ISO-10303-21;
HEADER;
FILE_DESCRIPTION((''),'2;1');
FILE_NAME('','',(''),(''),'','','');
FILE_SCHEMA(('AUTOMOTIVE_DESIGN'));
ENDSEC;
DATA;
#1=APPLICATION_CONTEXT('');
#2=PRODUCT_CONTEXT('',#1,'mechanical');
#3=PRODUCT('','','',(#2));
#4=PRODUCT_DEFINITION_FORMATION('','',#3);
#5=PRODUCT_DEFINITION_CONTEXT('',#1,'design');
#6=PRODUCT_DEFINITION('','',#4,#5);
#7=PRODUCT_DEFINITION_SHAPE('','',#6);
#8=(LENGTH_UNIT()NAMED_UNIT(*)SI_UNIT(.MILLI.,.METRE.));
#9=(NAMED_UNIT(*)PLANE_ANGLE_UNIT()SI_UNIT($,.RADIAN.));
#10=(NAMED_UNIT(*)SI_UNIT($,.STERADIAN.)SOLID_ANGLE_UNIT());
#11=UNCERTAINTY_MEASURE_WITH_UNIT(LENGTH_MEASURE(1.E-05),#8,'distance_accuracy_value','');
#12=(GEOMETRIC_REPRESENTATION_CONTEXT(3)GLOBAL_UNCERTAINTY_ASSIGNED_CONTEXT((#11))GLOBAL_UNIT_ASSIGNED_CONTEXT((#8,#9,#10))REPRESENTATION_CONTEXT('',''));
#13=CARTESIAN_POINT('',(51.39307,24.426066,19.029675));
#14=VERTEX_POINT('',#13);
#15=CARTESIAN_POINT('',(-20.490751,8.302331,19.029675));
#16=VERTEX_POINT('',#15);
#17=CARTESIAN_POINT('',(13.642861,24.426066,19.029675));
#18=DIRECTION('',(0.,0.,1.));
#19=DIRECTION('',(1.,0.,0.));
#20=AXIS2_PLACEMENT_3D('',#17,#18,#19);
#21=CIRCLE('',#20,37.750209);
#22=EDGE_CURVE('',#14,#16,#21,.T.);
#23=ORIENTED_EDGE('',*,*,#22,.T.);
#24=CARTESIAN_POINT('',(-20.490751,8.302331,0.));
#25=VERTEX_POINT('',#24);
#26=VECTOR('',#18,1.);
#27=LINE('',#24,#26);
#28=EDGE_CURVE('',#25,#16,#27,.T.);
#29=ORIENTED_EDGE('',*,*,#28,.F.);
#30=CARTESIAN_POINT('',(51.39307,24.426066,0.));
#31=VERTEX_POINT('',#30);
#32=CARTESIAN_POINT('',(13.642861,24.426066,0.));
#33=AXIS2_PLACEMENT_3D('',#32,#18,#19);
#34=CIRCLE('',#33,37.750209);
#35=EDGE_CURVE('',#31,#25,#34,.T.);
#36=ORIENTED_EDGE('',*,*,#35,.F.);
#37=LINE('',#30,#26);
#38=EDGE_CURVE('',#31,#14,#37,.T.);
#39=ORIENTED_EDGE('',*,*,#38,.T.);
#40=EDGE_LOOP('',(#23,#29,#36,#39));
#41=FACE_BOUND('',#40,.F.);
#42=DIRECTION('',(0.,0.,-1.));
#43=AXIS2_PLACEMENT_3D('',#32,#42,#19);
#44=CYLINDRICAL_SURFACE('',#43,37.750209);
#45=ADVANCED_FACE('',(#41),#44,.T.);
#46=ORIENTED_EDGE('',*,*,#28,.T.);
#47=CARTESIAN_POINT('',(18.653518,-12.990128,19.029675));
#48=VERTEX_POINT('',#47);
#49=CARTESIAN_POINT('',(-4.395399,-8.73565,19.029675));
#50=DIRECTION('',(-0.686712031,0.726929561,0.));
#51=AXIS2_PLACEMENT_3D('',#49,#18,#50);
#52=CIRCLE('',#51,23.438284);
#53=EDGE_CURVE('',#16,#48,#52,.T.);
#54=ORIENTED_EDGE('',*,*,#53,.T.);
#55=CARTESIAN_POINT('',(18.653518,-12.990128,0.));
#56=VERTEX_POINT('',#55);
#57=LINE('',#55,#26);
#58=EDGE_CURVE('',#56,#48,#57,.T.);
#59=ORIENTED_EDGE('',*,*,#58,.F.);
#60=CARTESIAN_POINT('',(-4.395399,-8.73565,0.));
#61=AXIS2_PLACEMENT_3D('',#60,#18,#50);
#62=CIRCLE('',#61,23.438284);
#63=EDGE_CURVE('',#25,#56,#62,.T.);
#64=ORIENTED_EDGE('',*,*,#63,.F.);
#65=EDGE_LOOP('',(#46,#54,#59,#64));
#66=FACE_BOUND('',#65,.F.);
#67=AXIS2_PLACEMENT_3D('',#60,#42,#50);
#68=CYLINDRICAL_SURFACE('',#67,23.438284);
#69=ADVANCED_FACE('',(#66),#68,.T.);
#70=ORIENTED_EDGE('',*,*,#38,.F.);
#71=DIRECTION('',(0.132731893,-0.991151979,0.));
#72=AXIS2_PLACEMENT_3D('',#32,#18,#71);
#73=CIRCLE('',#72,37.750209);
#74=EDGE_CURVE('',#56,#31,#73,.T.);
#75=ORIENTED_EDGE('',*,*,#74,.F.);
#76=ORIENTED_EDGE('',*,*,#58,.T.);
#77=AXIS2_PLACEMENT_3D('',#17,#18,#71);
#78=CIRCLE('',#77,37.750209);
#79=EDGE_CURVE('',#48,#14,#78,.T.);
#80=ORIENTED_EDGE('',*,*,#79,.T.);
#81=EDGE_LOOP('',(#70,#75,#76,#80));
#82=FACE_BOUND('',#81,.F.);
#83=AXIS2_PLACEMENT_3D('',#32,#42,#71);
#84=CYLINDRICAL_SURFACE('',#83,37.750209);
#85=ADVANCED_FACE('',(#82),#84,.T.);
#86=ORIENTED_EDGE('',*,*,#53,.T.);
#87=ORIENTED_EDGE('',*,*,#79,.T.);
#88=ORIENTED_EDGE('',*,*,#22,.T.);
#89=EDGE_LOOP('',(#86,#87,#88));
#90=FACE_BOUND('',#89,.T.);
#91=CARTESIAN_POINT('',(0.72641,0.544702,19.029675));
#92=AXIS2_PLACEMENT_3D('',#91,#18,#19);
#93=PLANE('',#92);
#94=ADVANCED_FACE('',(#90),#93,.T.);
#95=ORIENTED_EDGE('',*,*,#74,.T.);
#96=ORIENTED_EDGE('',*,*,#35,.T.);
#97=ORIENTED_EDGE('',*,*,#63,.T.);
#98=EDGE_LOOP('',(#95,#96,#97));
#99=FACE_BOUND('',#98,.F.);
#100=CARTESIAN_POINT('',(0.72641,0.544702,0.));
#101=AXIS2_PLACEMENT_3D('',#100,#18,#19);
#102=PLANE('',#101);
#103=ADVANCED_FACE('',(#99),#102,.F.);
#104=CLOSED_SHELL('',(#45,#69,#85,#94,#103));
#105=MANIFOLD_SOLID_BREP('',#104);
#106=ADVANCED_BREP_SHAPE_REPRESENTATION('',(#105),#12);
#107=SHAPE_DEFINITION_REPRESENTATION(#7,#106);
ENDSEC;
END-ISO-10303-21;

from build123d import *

# Parameters (mm, degrees)
F1_DEPTH = 19.0296750516


with BuildPart() as f1:
    # F0 (on Top) → F1 (new body)
    with BuildSketch(Plane.XY):
        with BuildLine():
            ThreePointArc((18.653517743, -12.9901279925), (18.945339992, -10.8717792151), (19.042884714, -8.7356502876))
            ThreePointArc((19.042884714, -8.7356502876), (4.881069281, 12.7887610555), (-20.4907506445, 8.3023311067))
            ThreePointArc((-20.4907506445, 8.3023311067), (-4.3953991403, -8.7356502876), (18.653517743, -12.9901279925))
        make_face()
        with BuildLine():
            ThreePointArc((-20.4907506445, 8.3023311067), (4.881069281, 12.7887610555), (19.042884714, -8.7356502876))
            ThreePointArc((19.042884714, -8.7356502876), (18.945339992, -10.8717792151), (18.653517743, -12.9901279925))
            ThreePointArc((18.653517743, -12.9901279925), (42.0526448058, -0.4327845717), (51.3930701633, 24.4260664722))
            ThreePointArc((51.3930701633, 24.4260664722), (5.3806788354, 61.2610313021), (-20.4907506445, 8.3023311067))
        make_face()
        with BuildLine():
            ThreePointArc((18.653517743, -12.9901279925), (-4.3953991403, -8.7356502876), (-20.4907506445, 8.3023311067))
            ThreePointArc((-20.4907506445, 8.3023311067), (-15.5949625913, -29.3250390241), (18.653517743, -12.9901279925))
        make_face()
    extrude(amount=F1_DEPTH)


solid = f1.part
